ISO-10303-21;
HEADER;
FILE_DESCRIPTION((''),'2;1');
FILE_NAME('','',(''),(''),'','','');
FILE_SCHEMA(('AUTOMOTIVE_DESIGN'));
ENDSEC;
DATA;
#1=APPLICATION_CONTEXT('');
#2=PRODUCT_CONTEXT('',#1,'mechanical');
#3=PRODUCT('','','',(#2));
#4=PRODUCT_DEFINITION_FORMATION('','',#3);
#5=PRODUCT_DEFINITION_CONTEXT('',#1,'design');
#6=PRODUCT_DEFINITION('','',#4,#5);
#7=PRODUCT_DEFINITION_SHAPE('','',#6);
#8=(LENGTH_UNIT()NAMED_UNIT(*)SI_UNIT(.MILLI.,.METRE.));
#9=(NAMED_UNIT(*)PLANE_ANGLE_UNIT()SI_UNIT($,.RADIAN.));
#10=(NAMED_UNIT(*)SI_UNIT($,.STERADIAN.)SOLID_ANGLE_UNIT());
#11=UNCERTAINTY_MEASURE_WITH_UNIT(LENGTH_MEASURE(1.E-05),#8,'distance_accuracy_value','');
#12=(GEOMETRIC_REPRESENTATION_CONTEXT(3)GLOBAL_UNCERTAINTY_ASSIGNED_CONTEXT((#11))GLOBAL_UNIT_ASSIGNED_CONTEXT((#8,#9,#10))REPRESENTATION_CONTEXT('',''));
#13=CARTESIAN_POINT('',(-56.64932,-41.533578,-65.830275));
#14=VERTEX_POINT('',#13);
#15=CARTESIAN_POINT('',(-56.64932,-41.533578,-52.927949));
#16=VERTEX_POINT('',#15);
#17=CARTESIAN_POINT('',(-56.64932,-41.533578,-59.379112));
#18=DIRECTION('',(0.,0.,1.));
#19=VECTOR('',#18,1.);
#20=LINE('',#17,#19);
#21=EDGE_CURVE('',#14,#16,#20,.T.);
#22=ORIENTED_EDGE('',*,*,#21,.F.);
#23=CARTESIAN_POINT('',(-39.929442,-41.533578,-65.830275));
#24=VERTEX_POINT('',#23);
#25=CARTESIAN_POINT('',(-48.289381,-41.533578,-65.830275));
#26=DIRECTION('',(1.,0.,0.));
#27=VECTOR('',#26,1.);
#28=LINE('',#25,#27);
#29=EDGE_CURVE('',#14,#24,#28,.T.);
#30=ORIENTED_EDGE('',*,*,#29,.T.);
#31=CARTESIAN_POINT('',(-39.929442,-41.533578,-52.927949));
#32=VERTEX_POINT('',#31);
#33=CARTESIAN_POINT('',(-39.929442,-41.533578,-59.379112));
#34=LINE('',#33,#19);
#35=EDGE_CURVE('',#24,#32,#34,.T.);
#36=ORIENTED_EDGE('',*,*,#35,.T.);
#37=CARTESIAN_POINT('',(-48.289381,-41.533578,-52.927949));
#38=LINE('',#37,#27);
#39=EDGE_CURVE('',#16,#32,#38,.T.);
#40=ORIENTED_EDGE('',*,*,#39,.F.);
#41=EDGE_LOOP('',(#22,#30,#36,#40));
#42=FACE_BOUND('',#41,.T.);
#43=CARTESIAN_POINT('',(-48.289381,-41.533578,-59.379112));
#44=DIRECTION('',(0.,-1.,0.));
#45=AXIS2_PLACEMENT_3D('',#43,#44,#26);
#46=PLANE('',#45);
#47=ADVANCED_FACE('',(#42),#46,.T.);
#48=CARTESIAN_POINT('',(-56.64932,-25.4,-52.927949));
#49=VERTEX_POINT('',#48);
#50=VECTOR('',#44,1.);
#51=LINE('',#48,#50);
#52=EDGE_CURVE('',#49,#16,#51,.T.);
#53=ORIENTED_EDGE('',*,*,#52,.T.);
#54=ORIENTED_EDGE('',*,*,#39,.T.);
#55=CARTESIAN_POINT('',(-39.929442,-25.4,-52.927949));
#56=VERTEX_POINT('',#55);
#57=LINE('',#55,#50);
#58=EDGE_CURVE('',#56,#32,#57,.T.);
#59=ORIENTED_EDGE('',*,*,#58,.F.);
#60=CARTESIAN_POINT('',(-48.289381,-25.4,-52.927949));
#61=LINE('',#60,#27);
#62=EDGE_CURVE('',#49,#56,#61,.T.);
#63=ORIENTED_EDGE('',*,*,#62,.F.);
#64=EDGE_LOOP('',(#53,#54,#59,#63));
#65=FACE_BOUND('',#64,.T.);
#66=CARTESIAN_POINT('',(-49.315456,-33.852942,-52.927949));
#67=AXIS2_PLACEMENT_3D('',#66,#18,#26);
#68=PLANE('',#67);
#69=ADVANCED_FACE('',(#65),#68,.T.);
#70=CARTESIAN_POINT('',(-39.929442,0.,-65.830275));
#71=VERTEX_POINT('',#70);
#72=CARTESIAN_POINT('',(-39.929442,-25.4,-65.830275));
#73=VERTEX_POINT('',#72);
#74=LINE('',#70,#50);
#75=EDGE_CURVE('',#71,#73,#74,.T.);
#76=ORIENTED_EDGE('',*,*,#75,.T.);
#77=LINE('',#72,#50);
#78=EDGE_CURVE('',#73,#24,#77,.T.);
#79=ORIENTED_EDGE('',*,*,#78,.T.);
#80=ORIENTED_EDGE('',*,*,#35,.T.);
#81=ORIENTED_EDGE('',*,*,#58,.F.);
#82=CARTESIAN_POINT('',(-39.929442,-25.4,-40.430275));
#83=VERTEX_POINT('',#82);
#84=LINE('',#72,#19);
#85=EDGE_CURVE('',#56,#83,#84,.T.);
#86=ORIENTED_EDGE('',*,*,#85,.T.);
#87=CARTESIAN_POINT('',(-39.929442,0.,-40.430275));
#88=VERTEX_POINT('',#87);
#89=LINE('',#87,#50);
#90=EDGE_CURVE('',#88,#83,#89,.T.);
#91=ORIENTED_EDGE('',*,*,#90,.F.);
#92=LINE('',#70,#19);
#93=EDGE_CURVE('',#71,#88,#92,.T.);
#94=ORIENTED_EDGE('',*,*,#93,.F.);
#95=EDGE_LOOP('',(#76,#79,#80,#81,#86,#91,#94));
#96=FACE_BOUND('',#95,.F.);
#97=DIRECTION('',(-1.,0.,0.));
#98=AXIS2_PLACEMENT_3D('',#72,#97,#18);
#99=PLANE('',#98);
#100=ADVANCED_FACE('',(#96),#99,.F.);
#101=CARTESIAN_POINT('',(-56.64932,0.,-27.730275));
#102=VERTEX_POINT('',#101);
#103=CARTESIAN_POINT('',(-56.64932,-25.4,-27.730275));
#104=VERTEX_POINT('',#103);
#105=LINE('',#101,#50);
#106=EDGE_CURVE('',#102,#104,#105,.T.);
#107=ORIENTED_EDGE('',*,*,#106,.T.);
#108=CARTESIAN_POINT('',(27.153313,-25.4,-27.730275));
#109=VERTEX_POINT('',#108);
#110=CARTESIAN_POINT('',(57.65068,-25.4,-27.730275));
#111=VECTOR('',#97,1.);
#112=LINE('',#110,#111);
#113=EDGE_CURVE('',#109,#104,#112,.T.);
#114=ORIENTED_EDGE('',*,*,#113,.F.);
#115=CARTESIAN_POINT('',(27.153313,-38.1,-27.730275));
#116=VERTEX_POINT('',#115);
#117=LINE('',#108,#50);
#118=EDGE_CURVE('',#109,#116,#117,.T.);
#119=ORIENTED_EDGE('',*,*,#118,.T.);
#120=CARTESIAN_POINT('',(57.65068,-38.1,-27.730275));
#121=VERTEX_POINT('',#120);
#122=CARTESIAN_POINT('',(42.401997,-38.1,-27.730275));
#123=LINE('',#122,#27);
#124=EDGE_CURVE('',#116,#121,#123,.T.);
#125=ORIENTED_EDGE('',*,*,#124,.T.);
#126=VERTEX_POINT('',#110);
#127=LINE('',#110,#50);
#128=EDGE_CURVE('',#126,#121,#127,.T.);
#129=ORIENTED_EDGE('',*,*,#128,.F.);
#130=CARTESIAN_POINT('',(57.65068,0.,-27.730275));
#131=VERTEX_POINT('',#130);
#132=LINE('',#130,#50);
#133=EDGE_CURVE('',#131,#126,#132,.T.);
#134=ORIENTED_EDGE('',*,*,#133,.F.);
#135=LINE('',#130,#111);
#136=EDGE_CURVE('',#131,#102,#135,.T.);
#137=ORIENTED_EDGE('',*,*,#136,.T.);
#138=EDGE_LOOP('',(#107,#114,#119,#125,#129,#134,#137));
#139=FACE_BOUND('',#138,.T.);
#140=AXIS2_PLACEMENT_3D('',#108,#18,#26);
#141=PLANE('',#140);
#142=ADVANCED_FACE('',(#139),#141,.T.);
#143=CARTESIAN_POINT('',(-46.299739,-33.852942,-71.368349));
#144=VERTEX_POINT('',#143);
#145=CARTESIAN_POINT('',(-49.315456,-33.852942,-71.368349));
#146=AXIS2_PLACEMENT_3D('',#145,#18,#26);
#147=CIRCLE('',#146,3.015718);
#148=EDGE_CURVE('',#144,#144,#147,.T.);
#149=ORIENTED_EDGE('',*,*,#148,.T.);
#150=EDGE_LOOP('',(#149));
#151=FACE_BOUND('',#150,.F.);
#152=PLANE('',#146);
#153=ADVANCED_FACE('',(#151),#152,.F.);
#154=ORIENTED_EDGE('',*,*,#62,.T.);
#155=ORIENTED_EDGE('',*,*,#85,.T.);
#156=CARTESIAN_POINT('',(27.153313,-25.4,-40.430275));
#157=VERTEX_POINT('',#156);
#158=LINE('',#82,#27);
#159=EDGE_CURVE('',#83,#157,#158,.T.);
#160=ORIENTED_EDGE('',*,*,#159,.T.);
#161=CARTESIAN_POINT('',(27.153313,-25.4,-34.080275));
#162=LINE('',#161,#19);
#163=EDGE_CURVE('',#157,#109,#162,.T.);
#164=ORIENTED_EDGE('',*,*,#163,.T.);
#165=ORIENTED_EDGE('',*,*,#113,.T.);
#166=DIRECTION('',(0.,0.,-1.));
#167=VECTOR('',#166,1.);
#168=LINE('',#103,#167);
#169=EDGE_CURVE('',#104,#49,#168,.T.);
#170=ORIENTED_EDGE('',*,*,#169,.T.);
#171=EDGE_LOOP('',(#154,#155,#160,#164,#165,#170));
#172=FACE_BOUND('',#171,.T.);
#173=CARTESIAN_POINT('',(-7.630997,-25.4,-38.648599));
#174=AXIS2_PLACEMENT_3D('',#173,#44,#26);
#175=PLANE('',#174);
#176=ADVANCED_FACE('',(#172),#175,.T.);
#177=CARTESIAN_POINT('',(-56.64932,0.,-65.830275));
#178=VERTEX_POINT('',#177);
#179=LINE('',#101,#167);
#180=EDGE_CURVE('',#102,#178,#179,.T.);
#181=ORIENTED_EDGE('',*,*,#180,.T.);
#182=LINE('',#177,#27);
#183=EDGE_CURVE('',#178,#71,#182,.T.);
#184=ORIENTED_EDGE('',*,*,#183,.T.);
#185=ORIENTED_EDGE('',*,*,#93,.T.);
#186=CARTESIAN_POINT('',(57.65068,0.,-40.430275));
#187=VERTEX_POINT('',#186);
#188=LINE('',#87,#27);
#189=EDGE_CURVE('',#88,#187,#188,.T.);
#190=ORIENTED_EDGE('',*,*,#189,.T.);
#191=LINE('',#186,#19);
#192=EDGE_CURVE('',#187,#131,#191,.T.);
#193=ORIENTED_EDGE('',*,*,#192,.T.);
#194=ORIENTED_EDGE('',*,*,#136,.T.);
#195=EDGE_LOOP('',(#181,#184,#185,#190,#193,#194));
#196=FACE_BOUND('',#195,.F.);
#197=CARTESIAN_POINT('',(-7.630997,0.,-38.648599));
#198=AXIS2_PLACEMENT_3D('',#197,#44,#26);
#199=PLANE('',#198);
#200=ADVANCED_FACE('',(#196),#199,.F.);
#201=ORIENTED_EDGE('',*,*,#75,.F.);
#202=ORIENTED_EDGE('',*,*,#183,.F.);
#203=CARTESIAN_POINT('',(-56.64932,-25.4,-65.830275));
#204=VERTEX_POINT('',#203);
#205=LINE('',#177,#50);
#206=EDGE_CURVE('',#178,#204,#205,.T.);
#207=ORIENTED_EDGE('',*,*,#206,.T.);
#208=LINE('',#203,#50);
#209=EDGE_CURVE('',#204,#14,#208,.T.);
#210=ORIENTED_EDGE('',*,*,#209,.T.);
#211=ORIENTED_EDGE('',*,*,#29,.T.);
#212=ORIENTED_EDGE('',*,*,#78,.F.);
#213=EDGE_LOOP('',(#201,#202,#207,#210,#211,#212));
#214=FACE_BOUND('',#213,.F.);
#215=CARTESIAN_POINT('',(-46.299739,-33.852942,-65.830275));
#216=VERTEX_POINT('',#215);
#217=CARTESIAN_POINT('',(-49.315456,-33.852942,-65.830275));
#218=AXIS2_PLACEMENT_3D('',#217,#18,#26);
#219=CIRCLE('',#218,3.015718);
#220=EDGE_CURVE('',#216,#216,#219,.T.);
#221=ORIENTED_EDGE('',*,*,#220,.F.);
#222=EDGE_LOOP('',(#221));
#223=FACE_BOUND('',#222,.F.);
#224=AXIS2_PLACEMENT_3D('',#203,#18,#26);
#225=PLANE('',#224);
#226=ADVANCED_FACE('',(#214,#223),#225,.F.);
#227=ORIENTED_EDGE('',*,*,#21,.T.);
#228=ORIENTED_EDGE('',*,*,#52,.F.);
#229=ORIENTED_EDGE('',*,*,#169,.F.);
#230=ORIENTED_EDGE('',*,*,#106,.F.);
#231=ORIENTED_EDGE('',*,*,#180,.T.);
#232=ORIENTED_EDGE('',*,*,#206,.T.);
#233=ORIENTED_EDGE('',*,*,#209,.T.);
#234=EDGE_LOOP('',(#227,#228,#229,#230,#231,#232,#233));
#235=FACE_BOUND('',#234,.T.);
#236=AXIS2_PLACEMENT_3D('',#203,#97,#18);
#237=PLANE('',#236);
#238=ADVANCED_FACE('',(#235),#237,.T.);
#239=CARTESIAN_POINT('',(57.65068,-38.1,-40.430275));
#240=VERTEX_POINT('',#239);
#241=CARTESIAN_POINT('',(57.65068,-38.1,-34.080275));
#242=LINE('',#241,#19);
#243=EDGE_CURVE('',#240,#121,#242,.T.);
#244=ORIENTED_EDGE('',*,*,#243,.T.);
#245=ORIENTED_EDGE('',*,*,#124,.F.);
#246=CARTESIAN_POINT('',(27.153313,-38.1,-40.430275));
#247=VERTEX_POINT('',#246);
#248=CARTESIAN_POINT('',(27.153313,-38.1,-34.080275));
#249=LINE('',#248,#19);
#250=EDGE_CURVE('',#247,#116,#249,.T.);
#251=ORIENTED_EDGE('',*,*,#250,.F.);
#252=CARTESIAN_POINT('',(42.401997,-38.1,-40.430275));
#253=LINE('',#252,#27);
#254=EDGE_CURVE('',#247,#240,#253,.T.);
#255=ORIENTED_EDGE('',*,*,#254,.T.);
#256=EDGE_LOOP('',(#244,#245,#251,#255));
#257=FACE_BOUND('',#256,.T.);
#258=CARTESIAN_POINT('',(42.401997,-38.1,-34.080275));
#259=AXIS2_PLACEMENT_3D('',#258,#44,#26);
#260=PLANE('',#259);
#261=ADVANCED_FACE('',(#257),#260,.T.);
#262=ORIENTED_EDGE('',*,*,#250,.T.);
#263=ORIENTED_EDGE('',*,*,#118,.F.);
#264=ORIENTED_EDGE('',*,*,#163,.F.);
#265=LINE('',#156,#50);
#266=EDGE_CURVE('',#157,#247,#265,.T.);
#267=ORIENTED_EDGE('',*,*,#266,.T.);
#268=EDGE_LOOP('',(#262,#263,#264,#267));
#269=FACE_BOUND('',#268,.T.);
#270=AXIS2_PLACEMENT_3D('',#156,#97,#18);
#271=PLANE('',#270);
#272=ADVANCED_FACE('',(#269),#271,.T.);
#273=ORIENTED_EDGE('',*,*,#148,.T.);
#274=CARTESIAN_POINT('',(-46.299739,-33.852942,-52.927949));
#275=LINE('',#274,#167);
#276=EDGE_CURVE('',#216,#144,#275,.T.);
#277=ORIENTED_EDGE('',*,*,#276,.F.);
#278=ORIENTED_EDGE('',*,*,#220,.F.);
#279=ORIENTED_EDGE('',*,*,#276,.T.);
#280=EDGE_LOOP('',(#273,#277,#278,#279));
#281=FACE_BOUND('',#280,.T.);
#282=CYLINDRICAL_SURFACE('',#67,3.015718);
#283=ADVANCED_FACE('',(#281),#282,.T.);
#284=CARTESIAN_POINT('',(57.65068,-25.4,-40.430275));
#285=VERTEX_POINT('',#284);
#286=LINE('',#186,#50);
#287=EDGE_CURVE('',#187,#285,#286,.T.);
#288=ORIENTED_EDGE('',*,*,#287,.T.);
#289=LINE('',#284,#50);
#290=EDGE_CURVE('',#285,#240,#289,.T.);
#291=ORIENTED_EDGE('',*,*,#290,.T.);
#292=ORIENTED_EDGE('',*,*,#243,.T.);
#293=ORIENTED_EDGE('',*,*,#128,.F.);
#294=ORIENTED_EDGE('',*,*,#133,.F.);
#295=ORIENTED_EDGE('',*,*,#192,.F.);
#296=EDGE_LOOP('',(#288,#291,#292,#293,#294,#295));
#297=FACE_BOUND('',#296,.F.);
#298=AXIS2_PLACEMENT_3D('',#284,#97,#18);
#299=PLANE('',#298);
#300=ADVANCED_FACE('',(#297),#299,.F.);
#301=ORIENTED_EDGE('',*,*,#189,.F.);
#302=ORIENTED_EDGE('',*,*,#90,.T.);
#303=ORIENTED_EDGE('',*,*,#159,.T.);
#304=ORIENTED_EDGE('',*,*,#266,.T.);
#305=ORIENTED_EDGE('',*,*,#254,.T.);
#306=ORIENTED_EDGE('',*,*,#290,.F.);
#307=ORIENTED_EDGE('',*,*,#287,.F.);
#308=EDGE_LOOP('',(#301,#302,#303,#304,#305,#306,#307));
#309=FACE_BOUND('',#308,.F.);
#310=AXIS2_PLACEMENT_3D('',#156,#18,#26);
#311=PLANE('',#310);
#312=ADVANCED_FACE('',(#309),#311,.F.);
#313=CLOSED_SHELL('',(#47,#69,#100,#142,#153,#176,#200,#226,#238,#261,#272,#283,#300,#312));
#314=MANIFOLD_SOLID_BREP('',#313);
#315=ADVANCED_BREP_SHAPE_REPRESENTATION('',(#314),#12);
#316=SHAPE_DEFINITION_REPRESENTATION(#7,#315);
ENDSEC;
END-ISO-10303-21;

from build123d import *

# Parameters (mm, degrees)
F1_DEPTH = 25.4
F2_W     = 16.7198777199
F2_H     = 12.9023268819
F3_DEPTH = 16.1335784942
F5_W     = 30.4973670125
F5_H     = 12.7
F6_DEPTH = 12.7
F7_R     = 3.015717516
F8_DEPTH = 18.4404


with BuildPart() as f1:
    # F0 (on Front) → F1 (new body)
    with BuildSketch(Plane.XZ):
        Polygon((57.6506801724, -27.7302754164), (-56.6493198276, -27.7302754164), (-56.6493198276, -65.8302754164), (-39.9294421077, -65.8302754164), (-39.9294421077, -40.4302754164), (57.6506801724, -40.4302754164), align=None)
    extrude(amount=F1_DEPTH)

    # F2 (on face) → F3 (join)
    with BuildSketch(Plane.XZ.offset(25.4)):
        with Locations((-48.2893809676, -59.3791119754)):
            Rectangle(F2_W, F2_H)
    extrude(amount=F3_DEPTH)

    # F5 (on face) → F6 (join)
    with BuildSketch(Plane.XZ.offset(25.4)):
        with Locations((42.4019966662, -34.0802754164)):
            Rectangle(F5_W, F5_H)
    extrude(amount=F6_DEPTH)

    # F7 (on face) → F8 (join)
    with BuildSketch(Plane.XY.offset(-52.9279485345)):
        with Locations((-49.315456301, -33.8529422879)):
            Circle(F7_R)
    extrude(amount=-F8_DEPTH)


solid = f1.part
